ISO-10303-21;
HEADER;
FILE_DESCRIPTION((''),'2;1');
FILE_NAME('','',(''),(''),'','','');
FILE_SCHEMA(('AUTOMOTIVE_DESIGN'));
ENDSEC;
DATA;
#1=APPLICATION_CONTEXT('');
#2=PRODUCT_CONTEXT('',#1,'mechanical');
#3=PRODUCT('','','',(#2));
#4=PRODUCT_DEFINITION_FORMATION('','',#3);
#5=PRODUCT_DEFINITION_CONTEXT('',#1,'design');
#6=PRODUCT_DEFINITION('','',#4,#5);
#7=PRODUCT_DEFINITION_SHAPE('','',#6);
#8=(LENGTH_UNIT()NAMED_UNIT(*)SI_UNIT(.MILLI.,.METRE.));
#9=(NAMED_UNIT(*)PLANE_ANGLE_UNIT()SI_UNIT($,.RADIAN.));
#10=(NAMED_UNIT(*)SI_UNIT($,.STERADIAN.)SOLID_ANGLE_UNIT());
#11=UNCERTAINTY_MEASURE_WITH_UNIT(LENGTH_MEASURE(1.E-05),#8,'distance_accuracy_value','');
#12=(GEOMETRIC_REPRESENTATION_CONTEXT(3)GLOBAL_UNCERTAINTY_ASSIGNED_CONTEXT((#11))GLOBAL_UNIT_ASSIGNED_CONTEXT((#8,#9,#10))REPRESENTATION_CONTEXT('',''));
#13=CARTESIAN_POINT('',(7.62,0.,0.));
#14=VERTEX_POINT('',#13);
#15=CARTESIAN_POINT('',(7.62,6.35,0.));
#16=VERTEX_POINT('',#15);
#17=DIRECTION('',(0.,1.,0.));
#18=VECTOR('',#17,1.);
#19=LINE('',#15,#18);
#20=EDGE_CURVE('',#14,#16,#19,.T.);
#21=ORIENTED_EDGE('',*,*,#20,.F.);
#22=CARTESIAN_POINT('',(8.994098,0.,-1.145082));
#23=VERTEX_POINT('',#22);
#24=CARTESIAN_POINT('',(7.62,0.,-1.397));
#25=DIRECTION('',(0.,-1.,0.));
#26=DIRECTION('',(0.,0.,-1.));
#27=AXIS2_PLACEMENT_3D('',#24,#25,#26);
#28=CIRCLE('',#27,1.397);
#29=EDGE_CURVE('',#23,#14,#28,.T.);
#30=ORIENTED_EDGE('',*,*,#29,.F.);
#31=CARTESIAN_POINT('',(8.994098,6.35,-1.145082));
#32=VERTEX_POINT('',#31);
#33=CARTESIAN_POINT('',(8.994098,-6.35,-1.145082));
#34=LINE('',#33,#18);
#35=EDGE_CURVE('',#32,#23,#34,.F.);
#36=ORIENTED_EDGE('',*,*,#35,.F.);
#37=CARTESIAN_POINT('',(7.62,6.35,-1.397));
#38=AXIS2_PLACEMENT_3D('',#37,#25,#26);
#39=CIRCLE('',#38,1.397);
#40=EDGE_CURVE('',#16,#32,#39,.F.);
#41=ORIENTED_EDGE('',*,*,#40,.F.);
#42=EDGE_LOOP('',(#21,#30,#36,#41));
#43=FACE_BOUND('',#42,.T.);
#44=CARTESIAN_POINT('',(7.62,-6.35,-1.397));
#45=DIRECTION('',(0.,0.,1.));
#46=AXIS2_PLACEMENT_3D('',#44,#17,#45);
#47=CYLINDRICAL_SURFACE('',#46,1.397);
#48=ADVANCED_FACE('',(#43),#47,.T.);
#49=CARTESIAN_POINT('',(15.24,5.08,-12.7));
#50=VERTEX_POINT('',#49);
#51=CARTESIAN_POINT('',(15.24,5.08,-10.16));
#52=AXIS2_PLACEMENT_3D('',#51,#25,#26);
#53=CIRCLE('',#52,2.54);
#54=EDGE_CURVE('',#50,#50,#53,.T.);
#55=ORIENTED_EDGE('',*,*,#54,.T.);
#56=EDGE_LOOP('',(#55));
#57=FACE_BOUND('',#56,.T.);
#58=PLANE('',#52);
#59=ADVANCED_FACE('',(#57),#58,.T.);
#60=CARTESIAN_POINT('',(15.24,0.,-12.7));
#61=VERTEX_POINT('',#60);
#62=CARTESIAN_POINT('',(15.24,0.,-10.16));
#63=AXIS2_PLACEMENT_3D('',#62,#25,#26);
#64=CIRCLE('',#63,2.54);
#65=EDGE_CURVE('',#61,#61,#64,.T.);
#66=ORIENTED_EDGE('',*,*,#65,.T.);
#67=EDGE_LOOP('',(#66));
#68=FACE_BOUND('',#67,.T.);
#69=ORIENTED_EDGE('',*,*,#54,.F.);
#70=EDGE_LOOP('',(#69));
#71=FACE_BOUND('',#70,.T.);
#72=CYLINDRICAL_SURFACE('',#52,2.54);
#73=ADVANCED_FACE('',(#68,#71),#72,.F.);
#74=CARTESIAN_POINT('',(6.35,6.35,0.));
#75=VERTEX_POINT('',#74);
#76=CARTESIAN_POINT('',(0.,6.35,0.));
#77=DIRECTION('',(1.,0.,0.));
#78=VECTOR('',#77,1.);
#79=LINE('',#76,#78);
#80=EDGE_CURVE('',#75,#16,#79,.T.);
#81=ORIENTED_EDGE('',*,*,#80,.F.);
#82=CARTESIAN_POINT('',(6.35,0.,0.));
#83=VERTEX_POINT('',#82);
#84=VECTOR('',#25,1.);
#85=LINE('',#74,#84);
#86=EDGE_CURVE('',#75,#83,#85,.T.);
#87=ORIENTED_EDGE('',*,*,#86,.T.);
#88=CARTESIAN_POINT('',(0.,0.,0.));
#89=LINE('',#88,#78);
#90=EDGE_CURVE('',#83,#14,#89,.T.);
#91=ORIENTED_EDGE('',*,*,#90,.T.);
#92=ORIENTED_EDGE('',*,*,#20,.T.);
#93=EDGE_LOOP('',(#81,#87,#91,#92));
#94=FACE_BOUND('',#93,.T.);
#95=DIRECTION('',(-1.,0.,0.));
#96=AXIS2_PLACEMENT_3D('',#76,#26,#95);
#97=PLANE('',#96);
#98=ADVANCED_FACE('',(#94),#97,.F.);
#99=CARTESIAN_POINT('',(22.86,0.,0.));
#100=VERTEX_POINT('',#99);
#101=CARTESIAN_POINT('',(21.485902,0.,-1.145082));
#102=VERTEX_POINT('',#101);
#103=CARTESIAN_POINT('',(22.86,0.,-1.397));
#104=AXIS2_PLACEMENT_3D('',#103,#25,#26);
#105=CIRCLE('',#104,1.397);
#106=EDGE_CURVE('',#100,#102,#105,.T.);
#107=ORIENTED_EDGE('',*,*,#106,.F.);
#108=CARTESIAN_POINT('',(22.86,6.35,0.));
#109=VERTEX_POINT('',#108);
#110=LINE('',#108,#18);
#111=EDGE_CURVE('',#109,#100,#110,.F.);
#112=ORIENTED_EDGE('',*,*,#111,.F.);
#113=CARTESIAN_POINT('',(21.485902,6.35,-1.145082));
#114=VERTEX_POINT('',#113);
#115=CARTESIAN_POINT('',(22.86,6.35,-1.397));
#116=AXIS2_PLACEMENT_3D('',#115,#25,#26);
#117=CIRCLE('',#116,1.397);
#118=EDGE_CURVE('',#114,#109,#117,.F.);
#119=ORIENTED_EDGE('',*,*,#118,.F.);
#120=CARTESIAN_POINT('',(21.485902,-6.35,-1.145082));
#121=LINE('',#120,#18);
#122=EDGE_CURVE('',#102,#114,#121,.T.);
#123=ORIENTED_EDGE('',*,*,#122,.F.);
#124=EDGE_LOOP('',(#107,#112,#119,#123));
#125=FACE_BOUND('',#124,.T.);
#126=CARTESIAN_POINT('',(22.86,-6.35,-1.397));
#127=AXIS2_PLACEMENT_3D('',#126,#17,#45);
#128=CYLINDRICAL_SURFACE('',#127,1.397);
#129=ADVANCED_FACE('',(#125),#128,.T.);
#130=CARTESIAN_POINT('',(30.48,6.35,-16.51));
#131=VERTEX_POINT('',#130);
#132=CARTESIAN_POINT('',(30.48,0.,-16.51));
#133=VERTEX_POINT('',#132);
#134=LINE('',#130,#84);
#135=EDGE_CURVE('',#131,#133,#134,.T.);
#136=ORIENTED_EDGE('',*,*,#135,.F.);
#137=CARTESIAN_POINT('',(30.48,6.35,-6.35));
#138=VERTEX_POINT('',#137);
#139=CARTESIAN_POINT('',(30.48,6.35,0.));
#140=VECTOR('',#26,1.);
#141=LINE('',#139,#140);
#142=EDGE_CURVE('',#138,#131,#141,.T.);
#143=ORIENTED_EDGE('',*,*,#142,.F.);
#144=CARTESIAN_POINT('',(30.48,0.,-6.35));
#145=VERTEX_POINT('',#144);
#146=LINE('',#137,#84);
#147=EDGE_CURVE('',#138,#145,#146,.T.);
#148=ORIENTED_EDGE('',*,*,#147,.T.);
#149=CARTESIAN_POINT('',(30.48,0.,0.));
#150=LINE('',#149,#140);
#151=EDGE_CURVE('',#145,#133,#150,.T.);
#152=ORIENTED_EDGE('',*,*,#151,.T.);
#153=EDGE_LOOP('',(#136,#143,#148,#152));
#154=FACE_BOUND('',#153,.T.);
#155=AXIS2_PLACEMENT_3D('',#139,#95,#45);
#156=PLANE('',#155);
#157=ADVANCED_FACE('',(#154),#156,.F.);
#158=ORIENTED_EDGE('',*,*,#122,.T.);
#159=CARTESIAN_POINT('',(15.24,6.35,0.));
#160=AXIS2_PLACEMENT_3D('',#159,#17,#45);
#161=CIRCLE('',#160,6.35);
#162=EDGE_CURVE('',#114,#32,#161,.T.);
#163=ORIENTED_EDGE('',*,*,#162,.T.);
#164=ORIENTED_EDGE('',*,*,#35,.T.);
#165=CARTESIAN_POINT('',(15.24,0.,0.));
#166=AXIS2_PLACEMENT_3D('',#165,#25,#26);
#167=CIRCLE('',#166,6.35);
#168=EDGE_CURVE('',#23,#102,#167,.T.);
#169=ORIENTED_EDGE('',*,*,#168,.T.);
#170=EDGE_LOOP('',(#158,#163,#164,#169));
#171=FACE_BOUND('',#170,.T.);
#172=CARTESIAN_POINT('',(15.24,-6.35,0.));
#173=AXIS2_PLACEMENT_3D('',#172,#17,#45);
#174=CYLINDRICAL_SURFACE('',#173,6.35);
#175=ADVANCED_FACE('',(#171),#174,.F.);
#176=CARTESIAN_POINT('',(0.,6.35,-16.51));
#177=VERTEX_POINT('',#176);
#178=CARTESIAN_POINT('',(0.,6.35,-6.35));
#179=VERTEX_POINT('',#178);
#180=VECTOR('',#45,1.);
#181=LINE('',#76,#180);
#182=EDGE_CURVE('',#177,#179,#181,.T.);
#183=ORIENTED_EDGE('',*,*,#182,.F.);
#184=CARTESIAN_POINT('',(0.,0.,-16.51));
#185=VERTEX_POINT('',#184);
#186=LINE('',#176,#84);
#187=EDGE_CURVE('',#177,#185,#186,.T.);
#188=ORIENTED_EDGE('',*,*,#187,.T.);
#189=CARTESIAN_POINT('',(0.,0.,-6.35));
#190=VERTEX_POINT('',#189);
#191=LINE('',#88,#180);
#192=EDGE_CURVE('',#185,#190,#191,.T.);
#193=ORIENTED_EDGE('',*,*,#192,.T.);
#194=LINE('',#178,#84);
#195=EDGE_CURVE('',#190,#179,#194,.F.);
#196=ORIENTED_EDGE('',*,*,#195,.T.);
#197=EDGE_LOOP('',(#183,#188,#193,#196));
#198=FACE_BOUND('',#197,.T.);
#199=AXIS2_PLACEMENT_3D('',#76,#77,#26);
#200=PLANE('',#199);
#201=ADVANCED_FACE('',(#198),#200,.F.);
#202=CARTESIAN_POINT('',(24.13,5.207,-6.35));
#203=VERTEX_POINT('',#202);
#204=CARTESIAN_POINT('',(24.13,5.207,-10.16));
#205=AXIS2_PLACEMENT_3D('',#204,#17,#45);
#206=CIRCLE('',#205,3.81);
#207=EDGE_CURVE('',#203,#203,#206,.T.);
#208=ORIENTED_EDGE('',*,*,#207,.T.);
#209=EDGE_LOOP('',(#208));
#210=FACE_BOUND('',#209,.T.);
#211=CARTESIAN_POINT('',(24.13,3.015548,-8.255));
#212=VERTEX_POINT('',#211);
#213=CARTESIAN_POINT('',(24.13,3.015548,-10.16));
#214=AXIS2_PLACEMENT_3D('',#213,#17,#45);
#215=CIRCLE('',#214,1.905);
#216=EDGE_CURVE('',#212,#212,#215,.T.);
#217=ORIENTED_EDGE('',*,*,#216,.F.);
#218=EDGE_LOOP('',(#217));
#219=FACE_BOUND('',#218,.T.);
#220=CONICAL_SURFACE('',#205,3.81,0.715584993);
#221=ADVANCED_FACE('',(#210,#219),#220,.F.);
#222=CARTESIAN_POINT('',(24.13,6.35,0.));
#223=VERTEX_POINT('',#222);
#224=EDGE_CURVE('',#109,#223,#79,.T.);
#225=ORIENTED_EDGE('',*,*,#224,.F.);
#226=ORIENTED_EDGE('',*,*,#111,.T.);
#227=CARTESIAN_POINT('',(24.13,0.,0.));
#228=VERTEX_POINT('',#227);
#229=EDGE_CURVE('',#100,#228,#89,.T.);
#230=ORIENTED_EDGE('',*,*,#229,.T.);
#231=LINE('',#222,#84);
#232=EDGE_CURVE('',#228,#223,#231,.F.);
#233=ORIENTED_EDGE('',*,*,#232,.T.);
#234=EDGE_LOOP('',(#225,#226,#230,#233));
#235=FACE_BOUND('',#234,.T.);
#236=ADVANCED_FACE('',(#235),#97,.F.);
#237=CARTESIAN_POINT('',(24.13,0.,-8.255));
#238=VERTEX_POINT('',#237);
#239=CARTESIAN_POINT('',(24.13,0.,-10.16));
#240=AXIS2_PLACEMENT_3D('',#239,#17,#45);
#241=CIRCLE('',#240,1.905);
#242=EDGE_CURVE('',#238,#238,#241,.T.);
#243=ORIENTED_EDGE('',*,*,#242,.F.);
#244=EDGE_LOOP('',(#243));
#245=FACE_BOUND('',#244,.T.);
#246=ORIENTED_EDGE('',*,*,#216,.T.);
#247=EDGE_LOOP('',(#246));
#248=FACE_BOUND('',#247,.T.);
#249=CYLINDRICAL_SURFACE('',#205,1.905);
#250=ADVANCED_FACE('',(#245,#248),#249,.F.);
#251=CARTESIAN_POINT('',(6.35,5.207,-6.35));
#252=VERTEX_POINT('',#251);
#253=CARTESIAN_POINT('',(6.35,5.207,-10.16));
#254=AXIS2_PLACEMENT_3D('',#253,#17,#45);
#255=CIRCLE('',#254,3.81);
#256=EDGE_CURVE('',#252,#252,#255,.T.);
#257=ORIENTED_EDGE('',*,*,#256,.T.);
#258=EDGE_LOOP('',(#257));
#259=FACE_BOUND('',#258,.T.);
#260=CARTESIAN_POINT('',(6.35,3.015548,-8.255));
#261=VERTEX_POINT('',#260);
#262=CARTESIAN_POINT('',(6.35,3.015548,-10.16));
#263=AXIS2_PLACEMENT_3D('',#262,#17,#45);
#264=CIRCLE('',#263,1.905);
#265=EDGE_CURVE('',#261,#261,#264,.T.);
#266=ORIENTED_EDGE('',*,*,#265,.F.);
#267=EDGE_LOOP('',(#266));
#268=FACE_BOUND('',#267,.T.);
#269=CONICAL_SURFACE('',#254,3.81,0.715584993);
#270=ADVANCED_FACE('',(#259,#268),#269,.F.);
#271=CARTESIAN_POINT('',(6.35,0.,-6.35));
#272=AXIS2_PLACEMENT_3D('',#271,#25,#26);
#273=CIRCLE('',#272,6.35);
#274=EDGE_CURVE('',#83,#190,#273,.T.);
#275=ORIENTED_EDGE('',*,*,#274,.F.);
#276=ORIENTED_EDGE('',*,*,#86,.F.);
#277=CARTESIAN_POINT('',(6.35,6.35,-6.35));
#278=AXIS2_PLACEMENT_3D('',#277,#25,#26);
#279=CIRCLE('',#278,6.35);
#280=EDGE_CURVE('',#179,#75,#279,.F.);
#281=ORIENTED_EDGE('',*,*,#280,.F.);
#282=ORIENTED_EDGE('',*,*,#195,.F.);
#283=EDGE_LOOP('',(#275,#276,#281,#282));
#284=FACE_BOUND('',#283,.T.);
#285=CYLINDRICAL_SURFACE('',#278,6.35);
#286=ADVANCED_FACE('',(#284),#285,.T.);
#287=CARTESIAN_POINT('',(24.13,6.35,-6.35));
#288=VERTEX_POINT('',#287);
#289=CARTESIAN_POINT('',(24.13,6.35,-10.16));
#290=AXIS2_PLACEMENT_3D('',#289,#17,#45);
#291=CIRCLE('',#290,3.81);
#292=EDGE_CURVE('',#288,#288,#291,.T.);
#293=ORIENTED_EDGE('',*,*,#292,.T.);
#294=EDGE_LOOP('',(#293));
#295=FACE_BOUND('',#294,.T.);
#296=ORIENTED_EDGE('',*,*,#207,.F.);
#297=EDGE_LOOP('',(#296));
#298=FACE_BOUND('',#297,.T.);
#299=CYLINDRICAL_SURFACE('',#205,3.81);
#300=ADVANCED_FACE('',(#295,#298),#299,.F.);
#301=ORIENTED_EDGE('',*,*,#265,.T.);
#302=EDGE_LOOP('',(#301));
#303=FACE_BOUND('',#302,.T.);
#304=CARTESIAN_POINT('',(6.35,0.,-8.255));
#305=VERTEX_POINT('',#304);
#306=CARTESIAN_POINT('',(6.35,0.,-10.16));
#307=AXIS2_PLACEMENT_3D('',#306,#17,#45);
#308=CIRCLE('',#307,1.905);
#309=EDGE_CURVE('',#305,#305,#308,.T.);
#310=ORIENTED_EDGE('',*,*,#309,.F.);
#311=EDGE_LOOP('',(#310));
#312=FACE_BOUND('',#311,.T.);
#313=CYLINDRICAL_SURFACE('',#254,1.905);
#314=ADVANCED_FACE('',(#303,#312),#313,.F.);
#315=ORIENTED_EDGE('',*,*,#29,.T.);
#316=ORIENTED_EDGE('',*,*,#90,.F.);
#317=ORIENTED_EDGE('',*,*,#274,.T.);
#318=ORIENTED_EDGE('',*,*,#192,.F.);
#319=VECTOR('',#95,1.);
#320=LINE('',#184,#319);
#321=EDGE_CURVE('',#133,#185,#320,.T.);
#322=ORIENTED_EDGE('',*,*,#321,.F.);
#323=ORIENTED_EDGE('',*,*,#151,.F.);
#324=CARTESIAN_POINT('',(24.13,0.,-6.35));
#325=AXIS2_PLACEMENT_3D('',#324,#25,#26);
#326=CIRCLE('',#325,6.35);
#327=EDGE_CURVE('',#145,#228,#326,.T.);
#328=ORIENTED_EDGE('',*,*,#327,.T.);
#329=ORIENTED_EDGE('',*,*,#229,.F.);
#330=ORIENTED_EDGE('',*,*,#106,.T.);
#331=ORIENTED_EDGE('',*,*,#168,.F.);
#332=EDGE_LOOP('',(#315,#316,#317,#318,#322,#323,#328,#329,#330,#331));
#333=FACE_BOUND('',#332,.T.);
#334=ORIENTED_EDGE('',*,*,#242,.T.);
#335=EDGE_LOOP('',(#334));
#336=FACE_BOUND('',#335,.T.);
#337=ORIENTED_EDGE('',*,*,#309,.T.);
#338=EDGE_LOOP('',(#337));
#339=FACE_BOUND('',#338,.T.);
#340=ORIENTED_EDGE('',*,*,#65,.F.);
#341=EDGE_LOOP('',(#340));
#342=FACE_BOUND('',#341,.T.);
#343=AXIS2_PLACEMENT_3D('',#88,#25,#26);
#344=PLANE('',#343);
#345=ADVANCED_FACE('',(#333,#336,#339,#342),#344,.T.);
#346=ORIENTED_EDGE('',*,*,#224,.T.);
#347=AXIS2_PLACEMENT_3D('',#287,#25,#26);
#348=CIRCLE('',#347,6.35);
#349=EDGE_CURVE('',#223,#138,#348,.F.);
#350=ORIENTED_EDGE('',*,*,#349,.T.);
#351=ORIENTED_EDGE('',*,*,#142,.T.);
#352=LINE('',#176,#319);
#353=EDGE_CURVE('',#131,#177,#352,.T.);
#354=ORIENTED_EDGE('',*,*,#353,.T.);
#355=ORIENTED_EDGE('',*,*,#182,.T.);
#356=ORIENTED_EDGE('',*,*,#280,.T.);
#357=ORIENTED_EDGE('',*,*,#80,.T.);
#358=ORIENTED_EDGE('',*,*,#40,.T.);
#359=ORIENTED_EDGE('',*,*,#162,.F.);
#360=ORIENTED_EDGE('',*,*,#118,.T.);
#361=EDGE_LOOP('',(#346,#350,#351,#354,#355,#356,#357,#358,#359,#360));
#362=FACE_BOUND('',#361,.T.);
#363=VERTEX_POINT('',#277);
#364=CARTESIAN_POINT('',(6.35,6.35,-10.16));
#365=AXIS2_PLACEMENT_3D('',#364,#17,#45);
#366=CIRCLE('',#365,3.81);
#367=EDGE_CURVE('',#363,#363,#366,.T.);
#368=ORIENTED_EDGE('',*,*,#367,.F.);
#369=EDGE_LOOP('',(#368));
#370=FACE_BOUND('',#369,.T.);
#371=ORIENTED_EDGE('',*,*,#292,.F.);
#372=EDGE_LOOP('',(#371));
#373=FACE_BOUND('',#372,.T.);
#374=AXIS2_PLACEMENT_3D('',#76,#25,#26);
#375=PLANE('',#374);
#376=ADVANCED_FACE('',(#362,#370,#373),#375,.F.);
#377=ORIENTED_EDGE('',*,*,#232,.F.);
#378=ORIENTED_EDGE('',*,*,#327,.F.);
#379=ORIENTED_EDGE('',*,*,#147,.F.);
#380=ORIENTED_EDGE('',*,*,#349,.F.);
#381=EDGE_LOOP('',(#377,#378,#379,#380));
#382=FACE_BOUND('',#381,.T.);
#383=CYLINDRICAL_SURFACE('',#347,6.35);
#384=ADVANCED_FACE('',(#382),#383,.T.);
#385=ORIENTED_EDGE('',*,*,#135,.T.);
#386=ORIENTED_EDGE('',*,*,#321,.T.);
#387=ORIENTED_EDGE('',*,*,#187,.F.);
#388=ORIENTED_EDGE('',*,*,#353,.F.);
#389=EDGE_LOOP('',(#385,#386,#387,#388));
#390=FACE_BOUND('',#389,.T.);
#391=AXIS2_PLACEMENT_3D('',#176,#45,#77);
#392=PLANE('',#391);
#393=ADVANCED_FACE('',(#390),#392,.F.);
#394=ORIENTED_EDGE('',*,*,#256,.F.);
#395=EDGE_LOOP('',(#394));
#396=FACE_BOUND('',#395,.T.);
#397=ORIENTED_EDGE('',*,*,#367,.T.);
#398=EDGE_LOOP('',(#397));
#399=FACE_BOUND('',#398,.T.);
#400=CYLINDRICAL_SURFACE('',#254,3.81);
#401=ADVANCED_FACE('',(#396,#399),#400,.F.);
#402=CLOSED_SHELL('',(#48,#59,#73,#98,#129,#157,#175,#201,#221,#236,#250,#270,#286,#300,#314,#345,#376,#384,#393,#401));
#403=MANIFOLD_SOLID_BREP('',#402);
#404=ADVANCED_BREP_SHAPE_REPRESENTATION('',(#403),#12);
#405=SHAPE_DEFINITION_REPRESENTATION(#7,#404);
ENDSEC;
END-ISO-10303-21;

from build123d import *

# Parameters (mm, degrees)
SKETCH1_W                                         = 30.48
SKETCH1_H                                         = 16.51
BOSS_EXTRUDE1_DEPTH                               = 6.35
FILLET1_R                                         = 6.35
SKETCH2_R                                         = 6.35
CUT_EXTRUDE1_DEPTH                                = 12.7
FILLET2_R                                         = 1.397
SKETCH3_R                                         = 3.81
CUT_EXTRUDE2_DEPTH                                = 1.143
CSK_FOR_0_FLAT_HEAD_SOCKET_CAP_SCREW1_D           = 3.81
CSK_FOR_0_FLAT_HEAD_SOCKET_CAP_SCREW1_CSINK_D     = 7.62
CSK_FOR_0_FLAT_HEAD_SOCKET_CAP_SCREW1_CSINK_ANGLE = 82
SKETCH6_R                                         = 2.54
CUT_EXTRUDE3_DEPTH                                = 5.08


with BuildPart() as part:
    # Sketch1 → Boss-Extrude1 (new body)
    with BuildSketch(Plane(origin=(0, 0, 0), x_dir=(1, 0, 0), z_dir=(0, 1, 0))):
        with Locations((15.24, 8.255)):
            Rectangle(SKETCH1_W, SKETCH1_H)
    extrude(amount=BOSS_EXTRUDE1_DEPTH)

    # Fillet1
    fillet1_edges = [part.edges().sort_by_distance(p)[0] for p in [
        (30.48, 3.175, 0),
        (0, 3.175, 0),
    ]]
    fillet(fillet1_edges, radius=FILLET1_R)

    # Sketch2 → Cut-Extrude1 (cut)
    with BuildSketch(Plane(origin=(0, 6.35, 0), x_dir=(1, 0, 0), z_dir=(0, 1, 0))):
        with Locations((15.24, 0)):
            Circle(SKETCH2_R)
    extrude(amount=-CUT_EXTRUDE1_DEPTH, mode=Mode.SUBTRACT)

    # Fillet2
    fillet2_edges = [part.edges().sort_by_distance(p)[0] for p in [
        (8.89, 3.175, 0),
        (21.59, 3.175, 0),
    ]]
    fillet(fillet2_edges, radius=FILLET2_R)

    # Sketch3 → Cut-Extrude2 (cut)
    with BuildSketch(Plane(origin=(0, 6.35, 0), x_dir=(1, 0, 0), z_dir=(0, 1, 0))):
        with Locations(Location((6.35, 10.16, 0), (0, 0, 270))):
            Circle(SKETCH3_R)
        with Locations(Location((24.13, 10.16, 0), (0, 0, 270))):
            Circle(SKETCH3_R)
    extrude(amount=-CUT_EXTRUDE2_DEPTH, mode=Mode.SUBTRACT)

    # CSK for #0 Flat Head Socket Cap Screw1 (through all)
    with Locations(Plane(origin=(0, 5.207, 0), x_dir=(1, 0, 0), z_dir=(0, 1, 0))):
        with Locations((6.35, 10.16), (24.13, 10.16)):
            CounterSinkHole(CSK_FOR_0_FLAT_HEAD_SOCKET_CAP_SCREW1_D / 2, CSK_FOR_0_FLAT_HEAD_SOCKET_CAP_SCREW1_CSINK_D / 2, counter_sink_angle=CSK_FOR_0_FLAT_HEAD_SOCKET_CAP_SCREW1_CSINK_ANGLE)

    # Sketch6 → Cut-Extrude3 (cut)
    with BuildSketch(Plane.XZ):
        with Locations(Location((15.24, -10.16, 0), (0, 0, 270))):
            Circle(SKETCH6_R)
    extrude(amount=-CUT_EXTRUDE3_DEPTH, mode=Mode.SUBTRACT)


solid = part.part
